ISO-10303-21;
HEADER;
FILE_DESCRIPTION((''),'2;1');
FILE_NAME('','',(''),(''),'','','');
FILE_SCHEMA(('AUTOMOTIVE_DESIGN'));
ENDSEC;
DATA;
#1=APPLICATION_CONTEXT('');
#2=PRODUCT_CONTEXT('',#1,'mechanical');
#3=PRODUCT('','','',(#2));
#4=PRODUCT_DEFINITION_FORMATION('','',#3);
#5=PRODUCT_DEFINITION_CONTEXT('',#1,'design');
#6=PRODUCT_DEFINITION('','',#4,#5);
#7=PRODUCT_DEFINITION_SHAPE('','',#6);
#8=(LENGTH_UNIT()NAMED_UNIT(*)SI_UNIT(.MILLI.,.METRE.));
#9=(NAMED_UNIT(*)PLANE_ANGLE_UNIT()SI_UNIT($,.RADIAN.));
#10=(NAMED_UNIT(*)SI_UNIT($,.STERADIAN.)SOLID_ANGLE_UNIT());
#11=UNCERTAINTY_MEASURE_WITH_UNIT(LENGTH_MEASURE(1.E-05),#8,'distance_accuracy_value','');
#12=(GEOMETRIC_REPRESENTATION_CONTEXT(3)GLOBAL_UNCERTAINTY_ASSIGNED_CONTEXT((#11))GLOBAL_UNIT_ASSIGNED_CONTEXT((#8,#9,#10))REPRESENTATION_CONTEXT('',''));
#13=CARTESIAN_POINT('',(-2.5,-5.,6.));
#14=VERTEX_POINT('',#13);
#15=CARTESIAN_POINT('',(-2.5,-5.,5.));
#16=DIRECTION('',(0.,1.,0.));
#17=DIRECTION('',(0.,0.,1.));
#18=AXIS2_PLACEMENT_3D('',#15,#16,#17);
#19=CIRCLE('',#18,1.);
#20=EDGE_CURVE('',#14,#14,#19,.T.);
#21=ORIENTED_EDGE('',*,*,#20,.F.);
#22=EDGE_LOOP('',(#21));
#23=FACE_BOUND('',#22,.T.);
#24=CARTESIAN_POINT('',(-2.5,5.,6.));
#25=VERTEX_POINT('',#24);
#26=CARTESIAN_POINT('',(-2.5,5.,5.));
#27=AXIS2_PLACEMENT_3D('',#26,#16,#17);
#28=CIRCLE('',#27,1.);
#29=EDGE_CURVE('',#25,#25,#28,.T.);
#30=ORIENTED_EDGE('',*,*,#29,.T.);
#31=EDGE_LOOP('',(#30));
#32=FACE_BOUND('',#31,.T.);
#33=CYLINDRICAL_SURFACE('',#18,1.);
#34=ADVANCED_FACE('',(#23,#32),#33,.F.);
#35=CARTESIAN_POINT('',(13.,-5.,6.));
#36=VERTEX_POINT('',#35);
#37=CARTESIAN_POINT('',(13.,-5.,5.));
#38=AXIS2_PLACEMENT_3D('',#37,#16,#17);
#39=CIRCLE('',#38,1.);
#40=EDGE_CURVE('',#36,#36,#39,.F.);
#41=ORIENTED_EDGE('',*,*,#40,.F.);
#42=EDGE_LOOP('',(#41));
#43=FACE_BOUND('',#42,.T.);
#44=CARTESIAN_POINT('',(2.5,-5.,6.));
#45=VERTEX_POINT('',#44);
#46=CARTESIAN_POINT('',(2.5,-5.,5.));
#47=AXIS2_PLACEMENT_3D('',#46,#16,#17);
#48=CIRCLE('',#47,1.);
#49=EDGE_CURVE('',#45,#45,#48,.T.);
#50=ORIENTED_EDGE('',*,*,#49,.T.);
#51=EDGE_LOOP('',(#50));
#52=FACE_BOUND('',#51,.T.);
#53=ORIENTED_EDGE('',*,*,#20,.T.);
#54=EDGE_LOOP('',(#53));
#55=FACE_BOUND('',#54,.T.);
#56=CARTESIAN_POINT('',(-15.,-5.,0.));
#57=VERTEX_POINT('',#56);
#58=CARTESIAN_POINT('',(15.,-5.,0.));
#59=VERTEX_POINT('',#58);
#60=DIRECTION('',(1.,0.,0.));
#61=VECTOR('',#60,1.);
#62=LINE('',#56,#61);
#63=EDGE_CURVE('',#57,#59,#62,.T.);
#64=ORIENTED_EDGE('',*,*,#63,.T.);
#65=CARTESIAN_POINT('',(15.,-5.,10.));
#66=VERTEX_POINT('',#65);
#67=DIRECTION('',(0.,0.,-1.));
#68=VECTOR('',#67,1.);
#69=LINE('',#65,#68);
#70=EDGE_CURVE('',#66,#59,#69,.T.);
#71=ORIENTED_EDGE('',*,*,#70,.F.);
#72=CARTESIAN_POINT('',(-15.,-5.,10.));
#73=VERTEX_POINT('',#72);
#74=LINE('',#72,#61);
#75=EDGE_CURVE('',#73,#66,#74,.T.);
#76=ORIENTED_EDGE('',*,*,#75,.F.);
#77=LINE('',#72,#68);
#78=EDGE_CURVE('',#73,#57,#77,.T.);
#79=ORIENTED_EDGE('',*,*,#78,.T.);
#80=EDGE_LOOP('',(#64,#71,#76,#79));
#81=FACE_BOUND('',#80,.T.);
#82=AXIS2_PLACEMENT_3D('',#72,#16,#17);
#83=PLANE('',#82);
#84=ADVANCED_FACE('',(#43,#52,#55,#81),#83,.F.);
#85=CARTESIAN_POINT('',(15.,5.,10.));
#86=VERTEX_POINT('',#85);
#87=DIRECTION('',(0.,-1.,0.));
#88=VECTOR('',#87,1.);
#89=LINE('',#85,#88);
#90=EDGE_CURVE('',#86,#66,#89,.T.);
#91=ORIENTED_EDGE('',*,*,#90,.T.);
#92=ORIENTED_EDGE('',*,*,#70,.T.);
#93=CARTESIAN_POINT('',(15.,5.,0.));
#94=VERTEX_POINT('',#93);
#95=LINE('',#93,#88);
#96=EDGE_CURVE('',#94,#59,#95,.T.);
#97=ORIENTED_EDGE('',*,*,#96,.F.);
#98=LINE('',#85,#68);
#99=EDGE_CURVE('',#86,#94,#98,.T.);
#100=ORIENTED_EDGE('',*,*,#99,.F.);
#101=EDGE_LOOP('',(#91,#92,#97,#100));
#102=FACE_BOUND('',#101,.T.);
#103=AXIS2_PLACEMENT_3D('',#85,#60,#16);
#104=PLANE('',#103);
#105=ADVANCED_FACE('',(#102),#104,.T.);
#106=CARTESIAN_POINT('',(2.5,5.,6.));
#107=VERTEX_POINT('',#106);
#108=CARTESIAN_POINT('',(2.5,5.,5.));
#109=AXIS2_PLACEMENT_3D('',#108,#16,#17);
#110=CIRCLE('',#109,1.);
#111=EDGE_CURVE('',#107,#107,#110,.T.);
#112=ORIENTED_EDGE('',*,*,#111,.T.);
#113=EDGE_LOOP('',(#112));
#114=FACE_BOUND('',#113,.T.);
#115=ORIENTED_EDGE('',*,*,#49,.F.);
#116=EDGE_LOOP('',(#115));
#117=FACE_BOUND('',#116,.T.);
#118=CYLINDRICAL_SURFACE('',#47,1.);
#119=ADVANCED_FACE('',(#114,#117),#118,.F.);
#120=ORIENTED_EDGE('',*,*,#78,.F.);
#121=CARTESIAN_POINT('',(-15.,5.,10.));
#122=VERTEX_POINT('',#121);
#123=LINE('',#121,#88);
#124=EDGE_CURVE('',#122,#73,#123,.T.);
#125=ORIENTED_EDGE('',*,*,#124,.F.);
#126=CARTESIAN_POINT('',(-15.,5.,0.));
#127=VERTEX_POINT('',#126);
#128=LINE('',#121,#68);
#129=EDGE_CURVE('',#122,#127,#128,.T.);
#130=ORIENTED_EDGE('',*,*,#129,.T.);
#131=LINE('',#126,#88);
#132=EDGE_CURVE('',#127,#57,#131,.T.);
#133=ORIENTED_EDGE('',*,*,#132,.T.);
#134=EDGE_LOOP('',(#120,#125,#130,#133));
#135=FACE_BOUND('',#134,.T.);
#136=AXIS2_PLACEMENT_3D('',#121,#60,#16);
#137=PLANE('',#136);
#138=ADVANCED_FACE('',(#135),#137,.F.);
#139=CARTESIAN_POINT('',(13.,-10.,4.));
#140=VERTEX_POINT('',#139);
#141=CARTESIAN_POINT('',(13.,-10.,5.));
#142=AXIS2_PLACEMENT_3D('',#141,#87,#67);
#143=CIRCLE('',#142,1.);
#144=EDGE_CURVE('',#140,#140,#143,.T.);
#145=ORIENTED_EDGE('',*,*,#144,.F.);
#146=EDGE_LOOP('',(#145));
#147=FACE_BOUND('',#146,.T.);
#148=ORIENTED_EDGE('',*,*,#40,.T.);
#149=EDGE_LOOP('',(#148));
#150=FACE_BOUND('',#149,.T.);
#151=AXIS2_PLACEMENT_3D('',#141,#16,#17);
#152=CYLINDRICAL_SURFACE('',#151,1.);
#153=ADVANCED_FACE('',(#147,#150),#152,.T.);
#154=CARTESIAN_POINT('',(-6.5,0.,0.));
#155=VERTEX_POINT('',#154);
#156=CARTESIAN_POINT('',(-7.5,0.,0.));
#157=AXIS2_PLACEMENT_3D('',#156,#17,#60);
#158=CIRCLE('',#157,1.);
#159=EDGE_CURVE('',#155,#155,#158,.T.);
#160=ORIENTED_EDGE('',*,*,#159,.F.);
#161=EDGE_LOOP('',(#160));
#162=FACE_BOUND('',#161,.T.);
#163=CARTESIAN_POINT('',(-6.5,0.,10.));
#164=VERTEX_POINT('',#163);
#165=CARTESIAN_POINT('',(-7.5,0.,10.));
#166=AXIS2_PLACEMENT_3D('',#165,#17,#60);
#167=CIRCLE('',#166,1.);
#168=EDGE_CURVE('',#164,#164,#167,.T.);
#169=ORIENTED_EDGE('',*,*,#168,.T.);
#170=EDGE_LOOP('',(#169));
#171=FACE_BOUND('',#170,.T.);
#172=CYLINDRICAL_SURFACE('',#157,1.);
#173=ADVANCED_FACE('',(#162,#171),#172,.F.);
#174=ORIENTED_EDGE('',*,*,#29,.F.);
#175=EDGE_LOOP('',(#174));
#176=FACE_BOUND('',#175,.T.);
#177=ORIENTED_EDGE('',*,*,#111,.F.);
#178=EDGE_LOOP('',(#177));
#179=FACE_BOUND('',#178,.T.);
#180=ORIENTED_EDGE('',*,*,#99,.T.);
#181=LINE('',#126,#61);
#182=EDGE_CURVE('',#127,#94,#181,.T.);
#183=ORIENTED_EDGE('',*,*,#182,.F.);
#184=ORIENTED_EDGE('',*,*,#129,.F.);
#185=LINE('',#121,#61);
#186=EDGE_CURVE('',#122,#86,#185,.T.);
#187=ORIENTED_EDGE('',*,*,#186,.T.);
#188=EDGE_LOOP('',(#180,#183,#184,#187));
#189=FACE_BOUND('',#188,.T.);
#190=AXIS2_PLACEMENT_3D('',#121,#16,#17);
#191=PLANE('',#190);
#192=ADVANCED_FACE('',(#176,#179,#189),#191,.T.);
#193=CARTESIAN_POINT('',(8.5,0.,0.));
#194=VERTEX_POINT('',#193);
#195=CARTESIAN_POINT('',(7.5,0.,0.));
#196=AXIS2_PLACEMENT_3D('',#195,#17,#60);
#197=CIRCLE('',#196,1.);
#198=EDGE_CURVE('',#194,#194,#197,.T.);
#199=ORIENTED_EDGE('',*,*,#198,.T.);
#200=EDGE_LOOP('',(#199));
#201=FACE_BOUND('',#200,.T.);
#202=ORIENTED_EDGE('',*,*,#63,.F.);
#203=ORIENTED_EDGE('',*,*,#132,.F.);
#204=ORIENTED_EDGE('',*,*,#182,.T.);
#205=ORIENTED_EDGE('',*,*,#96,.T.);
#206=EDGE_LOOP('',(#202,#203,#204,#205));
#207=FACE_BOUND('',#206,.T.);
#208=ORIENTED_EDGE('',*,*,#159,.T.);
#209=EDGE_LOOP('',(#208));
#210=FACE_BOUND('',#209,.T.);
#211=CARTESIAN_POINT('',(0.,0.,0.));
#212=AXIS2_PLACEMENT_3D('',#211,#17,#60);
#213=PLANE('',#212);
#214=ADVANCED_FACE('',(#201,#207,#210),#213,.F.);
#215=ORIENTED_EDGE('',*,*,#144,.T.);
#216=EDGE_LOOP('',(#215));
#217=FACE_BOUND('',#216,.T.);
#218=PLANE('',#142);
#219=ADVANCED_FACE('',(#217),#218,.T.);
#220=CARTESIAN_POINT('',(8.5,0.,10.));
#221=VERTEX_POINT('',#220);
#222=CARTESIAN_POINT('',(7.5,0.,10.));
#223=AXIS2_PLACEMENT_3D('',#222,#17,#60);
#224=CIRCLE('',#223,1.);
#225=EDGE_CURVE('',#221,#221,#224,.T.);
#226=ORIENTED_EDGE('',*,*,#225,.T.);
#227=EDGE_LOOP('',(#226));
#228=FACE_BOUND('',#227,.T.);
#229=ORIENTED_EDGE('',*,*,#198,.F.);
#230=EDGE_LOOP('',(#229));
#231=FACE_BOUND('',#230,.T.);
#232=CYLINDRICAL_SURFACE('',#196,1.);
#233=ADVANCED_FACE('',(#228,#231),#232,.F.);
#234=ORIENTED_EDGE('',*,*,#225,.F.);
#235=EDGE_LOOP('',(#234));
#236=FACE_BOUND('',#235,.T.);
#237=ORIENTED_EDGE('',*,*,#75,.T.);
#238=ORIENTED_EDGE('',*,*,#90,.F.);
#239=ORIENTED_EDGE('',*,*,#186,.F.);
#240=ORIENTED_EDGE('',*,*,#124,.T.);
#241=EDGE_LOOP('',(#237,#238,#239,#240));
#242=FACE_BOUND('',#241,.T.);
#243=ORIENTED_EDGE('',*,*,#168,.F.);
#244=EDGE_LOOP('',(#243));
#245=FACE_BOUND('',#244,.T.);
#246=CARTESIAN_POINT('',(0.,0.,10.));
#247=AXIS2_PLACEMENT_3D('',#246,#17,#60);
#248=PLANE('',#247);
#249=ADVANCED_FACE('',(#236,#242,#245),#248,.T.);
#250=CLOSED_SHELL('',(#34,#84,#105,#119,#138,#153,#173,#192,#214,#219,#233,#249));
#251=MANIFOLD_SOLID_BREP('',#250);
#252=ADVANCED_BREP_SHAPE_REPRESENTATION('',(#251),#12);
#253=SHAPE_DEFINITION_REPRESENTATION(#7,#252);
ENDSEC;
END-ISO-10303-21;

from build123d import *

# Parameters (mm, degrees)
SKETCH1_W           = 30
SKETCH1_H           = 10
BOSS_EXTRUDE1_DEPTH = 10
SKETCH2_R           = 1
CUT_EXTRUDE1_DEPTH  = 19.708286934
SKETCH4_R           = 1
CUT_EXTRUDE3_DEPTH  = 21.615528128
SKETCH3_R           = 1
BOSS_EXTRUDE2_DEPTH = 5


with BuildPart() as part:
    # Sketch1 → Boss-Extrude1 (new body)
    with BuildSketch(Plane.XY):
        Rectangle(SKETCH1_W, SKETCH1_H)
    extrude(amount=BOSS_EXTRUDE1_DEPTH)

    # Sketch2 → Cut-Extrude1 (cut, through all)
    with BuildSketch(Plane.XY.offset(10)):
        with Locations((-7.5, 0)):
            Circle(SKETCH2_R)
        with Locations((7.5, 0)):
            Circle(SKETCH2_R)
    extrude(amount=-CUT_EXTRUDE1_DEPTH, mode=Mode.SUBTRACT)

    # Sketch4 → Cut-Extrude3 (cut, through all)
    with BuildSketch(Plane(origin=(0, 5, 0), x_dir=(1, 0, 0), z_dir=(0, 1, 0))):
        with Locations(Location((-2.5, -5, 0), (0, 0, 270))):
            Circle(SKETCH4_R)
        with Locations(Location((2.5, -5, 0), (0, 0, 270))):
            Circle(SKETCH4_R)
    extrude(amount=-CUT_EXTRUDE3_DEPTH, mode=Mode.SUBTRACT)

    # Sketch3 → Boss-Extrude2 (add)
    with BuildSketch(Plane.XZ.offset(5)):
        with Locations(Location((13, 5, 0), (0, 0, 90))):
            Circle(SKETCH3_R)
    extrude(amount=BOSS_EXTRUDE2_DEPTH)


solid = part.part
